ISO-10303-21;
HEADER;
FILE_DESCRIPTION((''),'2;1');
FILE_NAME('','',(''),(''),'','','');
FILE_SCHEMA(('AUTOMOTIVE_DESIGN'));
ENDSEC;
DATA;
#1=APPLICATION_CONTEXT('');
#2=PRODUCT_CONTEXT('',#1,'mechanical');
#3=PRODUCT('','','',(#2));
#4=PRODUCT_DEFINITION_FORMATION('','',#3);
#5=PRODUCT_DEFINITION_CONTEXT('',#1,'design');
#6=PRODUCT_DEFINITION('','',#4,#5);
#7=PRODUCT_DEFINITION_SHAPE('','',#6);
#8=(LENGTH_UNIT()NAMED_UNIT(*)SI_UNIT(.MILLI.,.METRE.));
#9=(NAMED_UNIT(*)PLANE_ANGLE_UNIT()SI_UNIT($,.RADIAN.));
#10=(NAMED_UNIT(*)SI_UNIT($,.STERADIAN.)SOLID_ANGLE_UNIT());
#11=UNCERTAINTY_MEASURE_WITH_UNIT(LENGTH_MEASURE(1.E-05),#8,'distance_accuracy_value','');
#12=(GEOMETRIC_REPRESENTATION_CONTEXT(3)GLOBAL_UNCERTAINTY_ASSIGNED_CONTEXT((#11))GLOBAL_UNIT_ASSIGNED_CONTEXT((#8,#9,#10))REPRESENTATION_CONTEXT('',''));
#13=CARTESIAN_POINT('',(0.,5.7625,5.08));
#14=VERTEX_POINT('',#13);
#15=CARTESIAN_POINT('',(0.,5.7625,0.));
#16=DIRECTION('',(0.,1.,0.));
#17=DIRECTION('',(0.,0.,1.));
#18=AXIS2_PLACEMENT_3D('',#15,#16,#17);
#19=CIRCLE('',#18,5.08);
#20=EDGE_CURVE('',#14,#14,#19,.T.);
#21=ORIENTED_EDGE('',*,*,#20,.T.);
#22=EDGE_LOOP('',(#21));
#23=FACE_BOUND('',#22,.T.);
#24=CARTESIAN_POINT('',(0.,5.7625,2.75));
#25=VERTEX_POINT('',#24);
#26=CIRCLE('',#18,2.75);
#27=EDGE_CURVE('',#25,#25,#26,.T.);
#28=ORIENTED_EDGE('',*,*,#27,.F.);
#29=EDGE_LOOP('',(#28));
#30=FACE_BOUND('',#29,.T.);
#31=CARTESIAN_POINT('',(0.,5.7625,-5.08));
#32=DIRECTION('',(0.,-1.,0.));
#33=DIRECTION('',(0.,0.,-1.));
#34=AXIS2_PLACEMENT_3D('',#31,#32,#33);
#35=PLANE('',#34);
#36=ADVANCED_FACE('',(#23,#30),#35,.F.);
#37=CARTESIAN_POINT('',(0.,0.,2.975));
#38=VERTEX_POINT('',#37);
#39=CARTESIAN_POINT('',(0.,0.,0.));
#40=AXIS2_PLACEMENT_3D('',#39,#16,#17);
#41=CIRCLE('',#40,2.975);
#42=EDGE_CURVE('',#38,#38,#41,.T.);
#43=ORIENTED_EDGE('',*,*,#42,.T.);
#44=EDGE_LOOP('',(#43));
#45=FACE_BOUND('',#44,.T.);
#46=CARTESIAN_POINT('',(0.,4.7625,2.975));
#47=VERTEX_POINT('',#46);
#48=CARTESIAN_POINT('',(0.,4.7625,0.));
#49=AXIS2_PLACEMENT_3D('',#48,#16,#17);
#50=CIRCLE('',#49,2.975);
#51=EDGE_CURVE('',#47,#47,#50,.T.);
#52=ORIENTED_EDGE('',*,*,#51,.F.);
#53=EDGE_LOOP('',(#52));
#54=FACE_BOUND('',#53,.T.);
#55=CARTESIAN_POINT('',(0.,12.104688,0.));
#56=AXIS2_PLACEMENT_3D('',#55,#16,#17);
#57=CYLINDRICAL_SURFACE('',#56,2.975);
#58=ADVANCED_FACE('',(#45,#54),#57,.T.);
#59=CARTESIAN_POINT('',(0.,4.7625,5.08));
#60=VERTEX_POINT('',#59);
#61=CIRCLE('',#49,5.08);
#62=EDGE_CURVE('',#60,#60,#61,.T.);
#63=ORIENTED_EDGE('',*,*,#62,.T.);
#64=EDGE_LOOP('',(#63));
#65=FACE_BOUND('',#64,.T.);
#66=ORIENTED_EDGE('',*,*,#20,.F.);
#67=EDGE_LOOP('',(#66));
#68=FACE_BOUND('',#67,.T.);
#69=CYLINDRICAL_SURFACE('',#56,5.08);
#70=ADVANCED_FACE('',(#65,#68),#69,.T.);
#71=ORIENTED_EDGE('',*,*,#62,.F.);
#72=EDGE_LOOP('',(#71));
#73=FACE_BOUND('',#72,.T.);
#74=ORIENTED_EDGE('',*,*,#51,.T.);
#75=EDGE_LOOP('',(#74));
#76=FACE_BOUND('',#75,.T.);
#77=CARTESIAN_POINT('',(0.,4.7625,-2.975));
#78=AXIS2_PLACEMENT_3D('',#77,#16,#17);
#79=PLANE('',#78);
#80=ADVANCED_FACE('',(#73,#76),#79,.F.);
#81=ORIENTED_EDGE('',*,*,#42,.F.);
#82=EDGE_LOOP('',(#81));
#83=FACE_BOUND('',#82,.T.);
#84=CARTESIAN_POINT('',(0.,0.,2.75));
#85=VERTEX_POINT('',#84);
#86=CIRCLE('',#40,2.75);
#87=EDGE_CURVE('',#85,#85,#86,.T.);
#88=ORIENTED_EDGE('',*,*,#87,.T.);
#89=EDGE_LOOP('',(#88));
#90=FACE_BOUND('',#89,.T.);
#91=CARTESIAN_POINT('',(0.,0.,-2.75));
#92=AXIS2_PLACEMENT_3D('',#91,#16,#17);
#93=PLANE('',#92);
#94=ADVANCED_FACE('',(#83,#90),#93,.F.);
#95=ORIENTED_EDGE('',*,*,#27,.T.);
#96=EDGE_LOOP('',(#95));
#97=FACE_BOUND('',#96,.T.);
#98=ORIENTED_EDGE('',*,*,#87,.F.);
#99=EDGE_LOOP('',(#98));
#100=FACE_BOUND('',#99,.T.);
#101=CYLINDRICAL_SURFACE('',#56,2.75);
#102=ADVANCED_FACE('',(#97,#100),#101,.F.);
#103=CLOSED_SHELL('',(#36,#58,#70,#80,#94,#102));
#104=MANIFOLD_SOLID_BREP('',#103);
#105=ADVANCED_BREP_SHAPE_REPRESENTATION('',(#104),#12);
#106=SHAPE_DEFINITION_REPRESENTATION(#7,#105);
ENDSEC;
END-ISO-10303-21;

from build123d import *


with BuildPart() as part:
    # Sketch1 → Revolve1 (revolve)
    with BuildSketch(Plane(origin=(0, 0, 0), x_dir=(0, 0, -1), z_dir=(1, 0, 0))):
        Polygon((2.75, 5.7625), (2.75, 0), (2.975, 0), (2.975, 4.7625), (5.08, 4.7625), (5.08, 5.7625), align=None)
    revolve(axis=Axis((0, 12.1046875, 0), (0, -1, 0)))


solid = part.part
